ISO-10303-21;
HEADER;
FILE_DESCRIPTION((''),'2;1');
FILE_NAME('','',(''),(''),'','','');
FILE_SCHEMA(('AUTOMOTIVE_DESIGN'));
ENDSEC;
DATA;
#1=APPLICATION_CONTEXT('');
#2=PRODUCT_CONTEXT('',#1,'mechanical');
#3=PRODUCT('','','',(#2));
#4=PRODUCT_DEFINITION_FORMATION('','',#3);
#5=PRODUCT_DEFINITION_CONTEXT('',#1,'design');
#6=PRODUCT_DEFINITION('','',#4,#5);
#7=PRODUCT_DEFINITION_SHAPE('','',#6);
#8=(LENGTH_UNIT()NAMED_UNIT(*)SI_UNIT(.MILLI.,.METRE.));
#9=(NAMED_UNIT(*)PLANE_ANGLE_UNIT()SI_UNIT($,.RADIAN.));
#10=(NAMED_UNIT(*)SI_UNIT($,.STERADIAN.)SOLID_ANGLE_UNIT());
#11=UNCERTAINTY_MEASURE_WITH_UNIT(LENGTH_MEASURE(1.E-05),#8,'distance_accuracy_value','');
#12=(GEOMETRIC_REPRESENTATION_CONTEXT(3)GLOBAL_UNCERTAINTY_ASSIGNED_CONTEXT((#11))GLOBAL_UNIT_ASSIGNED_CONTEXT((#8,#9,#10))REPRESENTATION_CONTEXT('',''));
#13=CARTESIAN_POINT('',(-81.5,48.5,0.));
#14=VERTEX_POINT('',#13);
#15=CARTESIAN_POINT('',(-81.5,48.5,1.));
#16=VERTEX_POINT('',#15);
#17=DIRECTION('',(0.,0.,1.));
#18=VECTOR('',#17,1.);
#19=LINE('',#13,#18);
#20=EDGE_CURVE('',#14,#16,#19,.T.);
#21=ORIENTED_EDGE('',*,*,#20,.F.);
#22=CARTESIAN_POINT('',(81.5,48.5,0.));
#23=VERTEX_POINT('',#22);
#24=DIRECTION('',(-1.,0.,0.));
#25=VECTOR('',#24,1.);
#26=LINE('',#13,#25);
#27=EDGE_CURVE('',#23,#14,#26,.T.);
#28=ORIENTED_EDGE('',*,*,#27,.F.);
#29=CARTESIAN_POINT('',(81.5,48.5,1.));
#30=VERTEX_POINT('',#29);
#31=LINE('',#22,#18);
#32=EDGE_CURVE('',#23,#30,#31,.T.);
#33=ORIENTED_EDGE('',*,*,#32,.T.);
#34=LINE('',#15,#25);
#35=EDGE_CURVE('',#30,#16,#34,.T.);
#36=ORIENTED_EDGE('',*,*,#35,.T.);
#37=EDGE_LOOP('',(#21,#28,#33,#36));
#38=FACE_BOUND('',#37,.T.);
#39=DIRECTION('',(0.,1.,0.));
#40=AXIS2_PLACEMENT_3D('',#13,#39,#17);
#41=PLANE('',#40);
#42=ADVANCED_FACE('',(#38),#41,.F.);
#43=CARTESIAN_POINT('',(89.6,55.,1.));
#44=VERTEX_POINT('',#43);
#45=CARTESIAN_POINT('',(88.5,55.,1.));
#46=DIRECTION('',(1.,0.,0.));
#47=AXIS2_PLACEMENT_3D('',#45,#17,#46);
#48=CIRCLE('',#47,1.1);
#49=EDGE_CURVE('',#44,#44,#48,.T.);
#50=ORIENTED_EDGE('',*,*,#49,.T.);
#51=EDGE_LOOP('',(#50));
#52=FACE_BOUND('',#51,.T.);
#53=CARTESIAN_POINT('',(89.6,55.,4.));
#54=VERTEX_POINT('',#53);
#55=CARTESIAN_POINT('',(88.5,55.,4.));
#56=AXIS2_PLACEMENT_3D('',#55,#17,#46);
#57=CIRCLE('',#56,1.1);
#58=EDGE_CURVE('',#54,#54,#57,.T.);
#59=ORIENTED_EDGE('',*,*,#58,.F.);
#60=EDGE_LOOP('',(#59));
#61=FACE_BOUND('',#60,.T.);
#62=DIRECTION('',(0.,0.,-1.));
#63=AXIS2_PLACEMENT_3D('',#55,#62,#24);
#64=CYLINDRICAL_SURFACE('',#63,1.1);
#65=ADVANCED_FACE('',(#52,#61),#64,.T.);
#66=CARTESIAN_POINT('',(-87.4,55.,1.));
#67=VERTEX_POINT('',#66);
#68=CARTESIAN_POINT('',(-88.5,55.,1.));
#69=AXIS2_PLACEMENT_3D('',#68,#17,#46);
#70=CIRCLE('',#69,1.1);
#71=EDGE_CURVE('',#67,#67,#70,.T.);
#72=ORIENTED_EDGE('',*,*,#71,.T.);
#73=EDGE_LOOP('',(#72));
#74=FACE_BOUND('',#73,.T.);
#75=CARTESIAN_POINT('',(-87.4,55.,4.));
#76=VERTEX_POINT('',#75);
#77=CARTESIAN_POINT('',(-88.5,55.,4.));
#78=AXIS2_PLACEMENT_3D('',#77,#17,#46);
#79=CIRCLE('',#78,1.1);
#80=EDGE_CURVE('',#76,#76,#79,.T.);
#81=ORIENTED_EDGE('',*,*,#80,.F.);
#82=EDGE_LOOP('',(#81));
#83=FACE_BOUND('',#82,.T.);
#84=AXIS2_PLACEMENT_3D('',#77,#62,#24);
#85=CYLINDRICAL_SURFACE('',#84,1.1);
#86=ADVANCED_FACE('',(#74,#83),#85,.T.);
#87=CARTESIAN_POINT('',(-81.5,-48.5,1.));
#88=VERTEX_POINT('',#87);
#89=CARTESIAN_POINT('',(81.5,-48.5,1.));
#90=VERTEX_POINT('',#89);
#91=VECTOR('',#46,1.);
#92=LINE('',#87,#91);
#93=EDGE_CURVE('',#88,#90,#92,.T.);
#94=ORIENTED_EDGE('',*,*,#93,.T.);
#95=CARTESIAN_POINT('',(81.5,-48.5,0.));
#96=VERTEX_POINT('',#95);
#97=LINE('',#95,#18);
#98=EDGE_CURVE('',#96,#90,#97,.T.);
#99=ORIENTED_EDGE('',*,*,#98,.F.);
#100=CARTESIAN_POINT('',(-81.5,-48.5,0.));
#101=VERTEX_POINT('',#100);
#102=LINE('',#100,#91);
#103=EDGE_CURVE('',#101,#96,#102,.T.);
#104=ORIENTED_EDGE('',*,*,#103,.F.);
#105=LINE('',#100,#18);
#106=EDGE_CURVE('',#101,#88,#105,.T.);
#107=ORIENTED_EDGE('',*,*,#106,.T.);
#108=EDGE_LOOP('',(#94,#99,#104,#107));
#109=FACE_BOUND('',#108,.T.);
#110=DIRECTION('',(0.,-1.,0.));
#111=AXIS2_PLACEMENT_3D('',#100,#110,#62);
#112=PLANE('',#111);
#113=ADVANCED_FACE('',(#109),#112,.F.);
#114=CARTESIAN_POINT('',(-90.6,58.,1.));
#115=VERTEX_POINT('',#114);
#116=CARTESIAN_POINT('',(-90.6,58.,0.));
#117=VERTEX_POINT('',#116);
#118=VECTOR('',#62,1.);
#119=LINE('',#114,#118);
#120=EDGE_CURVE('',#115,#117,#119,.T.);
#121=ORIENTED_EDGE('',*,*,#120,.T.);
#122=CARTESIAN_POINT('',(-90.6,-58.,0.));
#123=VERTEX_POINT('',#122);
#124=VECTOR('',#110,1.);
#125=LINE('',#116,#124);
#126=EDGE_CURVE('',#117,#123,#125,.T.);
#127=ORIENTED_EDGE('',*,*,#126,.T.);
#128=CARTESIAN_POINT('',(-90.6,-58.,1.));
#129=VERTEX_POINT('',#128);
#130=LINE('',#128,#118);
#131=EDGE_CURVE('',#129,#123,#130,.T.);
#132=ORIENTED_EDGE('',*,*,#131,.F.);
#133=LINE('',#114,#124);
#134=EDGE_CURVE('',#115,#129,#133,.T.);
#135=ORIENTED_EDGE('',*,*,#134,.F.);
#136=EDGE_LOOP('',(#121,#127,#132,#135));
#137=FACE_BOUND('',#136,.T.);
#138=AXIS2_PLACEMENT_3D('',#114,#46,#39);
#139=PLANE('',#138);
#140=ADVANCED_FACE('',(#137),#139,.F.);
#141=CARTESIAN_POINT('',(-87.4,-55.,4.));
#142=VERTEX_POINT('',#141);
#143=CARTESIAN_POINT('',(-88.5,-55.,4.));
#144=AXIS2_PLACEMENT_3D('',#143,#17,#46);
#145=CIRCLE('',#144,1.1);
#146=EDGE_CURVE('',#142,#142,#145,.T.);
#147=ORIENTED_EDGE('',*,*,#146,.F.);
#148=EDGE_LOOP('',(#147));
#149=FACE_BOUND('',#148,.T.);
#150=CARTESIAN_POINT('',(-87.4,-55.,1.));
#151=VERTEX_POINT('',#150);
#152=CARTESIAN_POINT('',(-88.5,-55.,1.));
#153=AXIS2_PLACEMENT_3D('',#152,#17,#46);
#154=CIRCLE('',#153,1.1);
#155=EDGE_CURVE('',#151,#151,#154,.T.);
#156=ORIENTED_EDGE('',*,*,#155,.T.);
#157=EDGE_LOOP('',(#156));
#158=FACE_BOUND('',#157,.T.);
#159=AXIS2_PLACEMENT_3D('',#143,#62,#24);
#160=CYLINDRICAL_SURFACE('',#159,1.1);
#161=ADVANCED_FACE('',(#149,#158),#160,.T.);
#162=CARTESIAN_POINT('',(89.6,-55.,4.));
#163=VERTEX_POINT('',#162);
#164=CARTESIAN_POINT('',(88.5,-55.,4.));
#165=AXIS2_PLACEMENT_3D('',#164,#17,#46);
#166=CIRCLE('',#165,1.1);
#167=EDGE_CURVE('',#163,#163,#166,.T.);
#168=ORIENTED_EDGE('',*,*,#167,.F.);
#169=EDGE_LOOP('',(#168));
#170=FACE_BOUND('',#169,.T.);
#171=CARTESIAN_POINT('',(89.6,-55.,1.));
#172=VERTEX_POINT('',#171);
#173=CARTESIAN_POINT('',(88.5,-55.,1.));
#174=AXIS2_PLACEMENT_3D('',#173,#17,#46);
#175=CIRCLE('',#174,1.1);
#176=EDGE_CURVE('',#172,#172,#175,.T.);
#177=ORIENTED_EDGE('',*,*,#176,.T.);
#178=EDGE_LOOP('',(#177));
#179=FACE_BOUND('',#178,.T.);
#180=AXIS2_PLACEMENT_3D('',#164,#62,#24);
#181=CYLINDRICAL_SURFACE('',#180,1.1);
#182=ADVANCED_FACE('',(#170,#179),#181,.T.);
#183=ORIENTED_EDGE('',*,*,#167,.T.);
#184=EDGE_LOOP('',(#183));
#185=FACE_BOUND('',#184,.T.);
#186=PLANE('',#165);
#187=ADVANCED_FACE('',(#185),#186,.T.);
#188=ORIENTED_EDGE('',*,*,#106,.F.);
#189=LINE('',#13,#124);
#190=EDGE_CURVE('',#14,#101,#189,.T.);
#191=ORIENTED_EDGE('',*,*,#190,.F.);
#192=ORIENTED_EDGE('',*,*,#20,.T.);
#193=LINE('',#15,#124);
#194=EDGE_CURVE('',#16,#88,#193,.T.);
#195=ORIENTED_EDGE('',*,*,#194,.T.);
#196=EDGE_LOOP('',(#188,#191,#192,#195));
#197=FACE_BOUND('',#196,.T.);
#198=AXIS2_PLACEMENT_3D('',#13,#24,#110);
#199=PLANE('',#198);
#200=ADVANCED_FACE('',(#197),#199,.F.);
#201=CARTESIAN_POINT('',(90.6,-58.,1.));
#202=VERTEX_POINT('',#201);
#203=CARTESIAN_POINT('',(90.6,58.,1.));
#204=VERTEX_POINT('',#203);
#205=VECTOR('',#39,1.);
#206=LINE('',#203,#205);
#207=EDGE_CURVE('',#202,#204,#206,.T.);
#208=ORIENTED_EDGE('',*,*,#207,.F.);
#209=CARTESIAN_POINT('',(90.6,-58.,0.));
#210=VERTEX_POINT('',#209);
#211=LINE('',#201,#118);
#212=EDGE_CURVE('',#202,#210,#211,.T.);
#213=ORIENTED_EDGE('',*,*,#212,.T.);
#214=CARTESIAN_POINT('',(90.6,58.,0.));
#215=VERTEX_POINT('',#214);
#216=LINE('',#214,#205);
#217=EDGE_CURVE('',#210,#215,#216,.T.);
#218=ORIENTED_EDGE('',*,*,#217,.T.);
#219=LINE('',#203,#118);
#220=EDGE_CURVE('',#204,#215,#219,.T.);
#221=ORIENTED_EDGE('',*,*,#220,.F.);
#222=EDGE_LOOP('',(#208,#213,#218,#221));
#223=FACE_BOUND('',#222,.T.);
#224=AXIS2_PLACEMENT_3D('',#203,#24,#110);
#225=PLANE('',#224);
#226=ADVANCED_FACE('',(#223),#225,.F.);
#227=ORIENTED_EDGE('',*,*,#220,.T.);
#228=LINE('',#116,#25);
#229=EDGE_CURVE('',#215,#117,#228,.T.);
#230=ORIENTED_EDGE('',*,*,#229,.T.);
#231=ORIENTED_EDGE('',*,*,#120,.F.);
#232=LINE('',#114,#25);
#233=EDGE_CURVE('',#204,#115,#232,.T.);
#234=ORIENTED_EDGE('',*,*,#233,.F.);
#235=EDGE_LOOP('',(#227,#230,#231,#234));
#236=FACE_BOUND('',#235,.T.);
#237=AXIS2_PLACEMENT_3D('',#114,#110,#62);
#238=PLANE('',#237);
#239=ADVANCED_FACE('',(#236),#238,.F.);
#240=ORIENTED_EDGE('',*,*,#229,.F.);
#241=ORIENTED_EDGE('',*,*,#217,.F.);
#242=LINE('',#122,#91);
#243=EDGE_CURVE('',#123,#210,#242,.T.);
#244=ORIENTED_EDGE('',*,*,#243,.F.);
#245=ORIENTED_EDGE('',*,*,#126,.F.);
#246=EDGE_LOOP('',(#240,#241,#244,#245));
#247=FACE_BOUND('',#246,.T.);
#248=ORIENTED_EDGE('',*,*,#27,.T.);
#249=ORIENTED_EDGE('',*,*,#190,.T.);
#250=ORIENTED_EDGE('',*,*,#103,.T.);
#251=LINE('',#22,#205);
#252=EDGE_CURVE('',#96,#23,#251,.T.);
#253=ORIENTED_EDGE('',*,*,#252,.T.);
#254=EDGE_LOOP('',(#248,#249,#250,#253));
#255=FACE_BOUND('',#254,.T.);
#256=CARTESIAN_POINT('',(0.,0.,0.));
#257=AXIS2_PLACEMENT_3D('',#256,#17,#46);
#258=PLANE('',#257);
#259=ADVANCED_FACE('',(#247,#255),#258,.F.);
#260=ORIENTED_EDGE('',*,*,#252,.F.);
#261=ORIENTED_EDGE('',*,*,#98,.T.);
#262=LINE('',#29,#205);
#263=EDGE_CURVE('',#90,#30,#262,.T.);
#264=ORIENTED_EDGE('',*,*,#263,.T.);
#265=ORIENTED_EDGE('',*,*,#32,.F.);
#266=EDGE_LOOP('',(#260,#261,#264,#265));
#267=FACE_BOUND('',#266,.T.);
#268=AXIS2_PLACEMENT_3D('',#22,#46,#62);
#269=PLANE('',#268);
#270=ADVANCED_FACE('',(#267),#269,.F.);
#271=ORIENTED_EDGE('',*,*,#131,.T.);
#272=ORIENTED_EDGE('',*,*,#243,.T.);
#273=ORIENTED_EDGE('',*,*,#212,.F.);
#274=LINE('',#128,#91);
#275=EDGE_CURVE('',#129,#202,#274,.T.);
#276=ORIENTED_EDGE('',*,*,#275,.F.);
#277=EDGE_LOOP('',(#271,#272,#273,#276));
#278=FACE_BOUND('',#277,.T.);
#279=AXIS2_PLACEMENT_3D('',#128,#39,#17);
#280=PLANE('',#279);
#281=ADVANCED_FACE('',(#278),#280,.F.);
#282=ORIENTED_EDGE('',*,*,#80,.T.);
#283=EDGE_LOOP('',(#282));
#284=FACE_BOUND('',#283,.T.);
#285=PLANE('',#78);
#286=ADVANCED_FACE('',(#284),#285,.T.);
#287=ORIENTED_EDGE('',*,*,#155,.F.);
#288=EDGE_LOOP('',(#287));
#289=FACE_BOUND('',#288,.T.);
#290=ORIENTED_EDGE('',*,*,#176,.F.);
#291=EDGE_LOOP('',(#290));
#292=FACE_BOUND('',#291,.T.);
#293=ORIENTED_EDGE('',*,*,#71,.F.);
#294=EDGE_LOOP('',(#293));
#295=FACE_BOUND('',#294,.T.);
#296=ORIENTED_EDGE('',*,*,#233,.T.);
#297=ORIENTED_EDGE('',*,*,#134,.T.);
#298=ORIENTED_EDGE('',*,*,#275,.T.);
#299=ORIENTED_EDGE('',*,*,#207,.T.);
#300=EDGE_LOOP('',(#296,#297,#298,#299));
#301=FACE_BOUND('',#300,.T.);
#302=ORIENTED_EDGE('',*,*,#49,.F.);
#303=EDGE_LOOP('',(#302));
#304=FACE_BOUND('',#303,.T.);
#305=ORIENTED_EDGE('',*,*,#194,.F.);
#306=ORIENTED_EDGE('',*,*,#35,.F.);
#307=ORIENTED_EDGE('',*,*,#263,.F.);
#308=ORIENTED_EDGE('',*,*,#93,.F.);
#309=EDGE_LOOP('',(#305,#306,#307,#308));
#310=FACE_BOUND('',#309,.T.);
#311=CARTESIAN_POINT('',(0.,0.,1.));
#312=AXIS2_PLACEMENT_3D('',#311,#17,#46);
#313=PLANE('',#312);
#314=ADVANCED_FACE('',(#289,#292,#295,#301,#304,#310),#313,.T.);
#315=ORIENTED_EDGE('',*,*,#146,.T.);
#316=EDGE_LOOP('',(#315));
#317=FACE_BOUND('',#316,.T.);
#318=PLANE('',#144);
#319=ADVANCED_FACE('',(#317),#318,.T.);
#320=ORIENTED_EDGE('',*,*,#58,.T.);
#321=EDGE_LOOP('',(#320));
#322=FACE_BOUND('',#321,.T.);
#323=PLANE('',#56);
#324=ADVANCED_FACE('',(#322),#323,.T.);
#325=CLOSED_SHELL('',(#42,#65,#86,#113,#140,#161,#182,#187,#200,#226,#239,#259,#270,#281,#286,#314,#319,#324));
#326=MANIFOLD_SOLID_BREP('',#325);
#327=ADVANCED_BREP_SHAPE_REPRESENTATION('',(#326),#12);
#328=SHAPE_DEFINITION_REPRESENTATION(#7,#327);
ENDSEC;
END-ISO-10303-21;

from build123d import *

# Parameters (mm, degrees)
SKETCH_1_W          = 181.2
SKETCH_1_H          = 116
EXTRUDE_1_DEPTH     = 1
SKETCH_2_W          = 163
SKETCH_2_H          = 97
CUT_EXTRUDE_1_DEPTH = 1
SKETCH_3_R          = 1.1
EXTRUDE_2_DEPTH     = 3


with BuildPart() as part:
    # 草图1 → 凸台-拉伸1 (new body)
    with BuildSketch(Plane.XY):
        Rectangle(SKETCH_1_W, SKETCH_1_H)
    extrude(amount=EXTRUDE_1_DEPTH)

    # 草图2 → 切除-拉伸1 (cut)
    with BuildSketch(Plane.XY.offset(1)):
        Rectangle(SKETCH_2_W, SKETCH_2_H)
    extrude(amount=-CUT_EXTRUDE_1_DEPTH, mode=Mode.SUBTRACT)

    # 草图3 → 凸台-拉伸2 (add)
    with BuildSketch(Plane.XY.offset(1)):
        with Locations((-88.5, 55)):
            Circle(SKETCH_3_R)
        with Locations((-88.5, -55)):
            Circle(SKETCH_3_R)
        with Locations((88.5, -55)):
            Circle(SKETCH_3_R)
        with Locations((88.5, 55)):
            Circle(SKETCH_3_R)
    extrude(amount=EXTRUDE_2_DEPTH)


solid = part.part
